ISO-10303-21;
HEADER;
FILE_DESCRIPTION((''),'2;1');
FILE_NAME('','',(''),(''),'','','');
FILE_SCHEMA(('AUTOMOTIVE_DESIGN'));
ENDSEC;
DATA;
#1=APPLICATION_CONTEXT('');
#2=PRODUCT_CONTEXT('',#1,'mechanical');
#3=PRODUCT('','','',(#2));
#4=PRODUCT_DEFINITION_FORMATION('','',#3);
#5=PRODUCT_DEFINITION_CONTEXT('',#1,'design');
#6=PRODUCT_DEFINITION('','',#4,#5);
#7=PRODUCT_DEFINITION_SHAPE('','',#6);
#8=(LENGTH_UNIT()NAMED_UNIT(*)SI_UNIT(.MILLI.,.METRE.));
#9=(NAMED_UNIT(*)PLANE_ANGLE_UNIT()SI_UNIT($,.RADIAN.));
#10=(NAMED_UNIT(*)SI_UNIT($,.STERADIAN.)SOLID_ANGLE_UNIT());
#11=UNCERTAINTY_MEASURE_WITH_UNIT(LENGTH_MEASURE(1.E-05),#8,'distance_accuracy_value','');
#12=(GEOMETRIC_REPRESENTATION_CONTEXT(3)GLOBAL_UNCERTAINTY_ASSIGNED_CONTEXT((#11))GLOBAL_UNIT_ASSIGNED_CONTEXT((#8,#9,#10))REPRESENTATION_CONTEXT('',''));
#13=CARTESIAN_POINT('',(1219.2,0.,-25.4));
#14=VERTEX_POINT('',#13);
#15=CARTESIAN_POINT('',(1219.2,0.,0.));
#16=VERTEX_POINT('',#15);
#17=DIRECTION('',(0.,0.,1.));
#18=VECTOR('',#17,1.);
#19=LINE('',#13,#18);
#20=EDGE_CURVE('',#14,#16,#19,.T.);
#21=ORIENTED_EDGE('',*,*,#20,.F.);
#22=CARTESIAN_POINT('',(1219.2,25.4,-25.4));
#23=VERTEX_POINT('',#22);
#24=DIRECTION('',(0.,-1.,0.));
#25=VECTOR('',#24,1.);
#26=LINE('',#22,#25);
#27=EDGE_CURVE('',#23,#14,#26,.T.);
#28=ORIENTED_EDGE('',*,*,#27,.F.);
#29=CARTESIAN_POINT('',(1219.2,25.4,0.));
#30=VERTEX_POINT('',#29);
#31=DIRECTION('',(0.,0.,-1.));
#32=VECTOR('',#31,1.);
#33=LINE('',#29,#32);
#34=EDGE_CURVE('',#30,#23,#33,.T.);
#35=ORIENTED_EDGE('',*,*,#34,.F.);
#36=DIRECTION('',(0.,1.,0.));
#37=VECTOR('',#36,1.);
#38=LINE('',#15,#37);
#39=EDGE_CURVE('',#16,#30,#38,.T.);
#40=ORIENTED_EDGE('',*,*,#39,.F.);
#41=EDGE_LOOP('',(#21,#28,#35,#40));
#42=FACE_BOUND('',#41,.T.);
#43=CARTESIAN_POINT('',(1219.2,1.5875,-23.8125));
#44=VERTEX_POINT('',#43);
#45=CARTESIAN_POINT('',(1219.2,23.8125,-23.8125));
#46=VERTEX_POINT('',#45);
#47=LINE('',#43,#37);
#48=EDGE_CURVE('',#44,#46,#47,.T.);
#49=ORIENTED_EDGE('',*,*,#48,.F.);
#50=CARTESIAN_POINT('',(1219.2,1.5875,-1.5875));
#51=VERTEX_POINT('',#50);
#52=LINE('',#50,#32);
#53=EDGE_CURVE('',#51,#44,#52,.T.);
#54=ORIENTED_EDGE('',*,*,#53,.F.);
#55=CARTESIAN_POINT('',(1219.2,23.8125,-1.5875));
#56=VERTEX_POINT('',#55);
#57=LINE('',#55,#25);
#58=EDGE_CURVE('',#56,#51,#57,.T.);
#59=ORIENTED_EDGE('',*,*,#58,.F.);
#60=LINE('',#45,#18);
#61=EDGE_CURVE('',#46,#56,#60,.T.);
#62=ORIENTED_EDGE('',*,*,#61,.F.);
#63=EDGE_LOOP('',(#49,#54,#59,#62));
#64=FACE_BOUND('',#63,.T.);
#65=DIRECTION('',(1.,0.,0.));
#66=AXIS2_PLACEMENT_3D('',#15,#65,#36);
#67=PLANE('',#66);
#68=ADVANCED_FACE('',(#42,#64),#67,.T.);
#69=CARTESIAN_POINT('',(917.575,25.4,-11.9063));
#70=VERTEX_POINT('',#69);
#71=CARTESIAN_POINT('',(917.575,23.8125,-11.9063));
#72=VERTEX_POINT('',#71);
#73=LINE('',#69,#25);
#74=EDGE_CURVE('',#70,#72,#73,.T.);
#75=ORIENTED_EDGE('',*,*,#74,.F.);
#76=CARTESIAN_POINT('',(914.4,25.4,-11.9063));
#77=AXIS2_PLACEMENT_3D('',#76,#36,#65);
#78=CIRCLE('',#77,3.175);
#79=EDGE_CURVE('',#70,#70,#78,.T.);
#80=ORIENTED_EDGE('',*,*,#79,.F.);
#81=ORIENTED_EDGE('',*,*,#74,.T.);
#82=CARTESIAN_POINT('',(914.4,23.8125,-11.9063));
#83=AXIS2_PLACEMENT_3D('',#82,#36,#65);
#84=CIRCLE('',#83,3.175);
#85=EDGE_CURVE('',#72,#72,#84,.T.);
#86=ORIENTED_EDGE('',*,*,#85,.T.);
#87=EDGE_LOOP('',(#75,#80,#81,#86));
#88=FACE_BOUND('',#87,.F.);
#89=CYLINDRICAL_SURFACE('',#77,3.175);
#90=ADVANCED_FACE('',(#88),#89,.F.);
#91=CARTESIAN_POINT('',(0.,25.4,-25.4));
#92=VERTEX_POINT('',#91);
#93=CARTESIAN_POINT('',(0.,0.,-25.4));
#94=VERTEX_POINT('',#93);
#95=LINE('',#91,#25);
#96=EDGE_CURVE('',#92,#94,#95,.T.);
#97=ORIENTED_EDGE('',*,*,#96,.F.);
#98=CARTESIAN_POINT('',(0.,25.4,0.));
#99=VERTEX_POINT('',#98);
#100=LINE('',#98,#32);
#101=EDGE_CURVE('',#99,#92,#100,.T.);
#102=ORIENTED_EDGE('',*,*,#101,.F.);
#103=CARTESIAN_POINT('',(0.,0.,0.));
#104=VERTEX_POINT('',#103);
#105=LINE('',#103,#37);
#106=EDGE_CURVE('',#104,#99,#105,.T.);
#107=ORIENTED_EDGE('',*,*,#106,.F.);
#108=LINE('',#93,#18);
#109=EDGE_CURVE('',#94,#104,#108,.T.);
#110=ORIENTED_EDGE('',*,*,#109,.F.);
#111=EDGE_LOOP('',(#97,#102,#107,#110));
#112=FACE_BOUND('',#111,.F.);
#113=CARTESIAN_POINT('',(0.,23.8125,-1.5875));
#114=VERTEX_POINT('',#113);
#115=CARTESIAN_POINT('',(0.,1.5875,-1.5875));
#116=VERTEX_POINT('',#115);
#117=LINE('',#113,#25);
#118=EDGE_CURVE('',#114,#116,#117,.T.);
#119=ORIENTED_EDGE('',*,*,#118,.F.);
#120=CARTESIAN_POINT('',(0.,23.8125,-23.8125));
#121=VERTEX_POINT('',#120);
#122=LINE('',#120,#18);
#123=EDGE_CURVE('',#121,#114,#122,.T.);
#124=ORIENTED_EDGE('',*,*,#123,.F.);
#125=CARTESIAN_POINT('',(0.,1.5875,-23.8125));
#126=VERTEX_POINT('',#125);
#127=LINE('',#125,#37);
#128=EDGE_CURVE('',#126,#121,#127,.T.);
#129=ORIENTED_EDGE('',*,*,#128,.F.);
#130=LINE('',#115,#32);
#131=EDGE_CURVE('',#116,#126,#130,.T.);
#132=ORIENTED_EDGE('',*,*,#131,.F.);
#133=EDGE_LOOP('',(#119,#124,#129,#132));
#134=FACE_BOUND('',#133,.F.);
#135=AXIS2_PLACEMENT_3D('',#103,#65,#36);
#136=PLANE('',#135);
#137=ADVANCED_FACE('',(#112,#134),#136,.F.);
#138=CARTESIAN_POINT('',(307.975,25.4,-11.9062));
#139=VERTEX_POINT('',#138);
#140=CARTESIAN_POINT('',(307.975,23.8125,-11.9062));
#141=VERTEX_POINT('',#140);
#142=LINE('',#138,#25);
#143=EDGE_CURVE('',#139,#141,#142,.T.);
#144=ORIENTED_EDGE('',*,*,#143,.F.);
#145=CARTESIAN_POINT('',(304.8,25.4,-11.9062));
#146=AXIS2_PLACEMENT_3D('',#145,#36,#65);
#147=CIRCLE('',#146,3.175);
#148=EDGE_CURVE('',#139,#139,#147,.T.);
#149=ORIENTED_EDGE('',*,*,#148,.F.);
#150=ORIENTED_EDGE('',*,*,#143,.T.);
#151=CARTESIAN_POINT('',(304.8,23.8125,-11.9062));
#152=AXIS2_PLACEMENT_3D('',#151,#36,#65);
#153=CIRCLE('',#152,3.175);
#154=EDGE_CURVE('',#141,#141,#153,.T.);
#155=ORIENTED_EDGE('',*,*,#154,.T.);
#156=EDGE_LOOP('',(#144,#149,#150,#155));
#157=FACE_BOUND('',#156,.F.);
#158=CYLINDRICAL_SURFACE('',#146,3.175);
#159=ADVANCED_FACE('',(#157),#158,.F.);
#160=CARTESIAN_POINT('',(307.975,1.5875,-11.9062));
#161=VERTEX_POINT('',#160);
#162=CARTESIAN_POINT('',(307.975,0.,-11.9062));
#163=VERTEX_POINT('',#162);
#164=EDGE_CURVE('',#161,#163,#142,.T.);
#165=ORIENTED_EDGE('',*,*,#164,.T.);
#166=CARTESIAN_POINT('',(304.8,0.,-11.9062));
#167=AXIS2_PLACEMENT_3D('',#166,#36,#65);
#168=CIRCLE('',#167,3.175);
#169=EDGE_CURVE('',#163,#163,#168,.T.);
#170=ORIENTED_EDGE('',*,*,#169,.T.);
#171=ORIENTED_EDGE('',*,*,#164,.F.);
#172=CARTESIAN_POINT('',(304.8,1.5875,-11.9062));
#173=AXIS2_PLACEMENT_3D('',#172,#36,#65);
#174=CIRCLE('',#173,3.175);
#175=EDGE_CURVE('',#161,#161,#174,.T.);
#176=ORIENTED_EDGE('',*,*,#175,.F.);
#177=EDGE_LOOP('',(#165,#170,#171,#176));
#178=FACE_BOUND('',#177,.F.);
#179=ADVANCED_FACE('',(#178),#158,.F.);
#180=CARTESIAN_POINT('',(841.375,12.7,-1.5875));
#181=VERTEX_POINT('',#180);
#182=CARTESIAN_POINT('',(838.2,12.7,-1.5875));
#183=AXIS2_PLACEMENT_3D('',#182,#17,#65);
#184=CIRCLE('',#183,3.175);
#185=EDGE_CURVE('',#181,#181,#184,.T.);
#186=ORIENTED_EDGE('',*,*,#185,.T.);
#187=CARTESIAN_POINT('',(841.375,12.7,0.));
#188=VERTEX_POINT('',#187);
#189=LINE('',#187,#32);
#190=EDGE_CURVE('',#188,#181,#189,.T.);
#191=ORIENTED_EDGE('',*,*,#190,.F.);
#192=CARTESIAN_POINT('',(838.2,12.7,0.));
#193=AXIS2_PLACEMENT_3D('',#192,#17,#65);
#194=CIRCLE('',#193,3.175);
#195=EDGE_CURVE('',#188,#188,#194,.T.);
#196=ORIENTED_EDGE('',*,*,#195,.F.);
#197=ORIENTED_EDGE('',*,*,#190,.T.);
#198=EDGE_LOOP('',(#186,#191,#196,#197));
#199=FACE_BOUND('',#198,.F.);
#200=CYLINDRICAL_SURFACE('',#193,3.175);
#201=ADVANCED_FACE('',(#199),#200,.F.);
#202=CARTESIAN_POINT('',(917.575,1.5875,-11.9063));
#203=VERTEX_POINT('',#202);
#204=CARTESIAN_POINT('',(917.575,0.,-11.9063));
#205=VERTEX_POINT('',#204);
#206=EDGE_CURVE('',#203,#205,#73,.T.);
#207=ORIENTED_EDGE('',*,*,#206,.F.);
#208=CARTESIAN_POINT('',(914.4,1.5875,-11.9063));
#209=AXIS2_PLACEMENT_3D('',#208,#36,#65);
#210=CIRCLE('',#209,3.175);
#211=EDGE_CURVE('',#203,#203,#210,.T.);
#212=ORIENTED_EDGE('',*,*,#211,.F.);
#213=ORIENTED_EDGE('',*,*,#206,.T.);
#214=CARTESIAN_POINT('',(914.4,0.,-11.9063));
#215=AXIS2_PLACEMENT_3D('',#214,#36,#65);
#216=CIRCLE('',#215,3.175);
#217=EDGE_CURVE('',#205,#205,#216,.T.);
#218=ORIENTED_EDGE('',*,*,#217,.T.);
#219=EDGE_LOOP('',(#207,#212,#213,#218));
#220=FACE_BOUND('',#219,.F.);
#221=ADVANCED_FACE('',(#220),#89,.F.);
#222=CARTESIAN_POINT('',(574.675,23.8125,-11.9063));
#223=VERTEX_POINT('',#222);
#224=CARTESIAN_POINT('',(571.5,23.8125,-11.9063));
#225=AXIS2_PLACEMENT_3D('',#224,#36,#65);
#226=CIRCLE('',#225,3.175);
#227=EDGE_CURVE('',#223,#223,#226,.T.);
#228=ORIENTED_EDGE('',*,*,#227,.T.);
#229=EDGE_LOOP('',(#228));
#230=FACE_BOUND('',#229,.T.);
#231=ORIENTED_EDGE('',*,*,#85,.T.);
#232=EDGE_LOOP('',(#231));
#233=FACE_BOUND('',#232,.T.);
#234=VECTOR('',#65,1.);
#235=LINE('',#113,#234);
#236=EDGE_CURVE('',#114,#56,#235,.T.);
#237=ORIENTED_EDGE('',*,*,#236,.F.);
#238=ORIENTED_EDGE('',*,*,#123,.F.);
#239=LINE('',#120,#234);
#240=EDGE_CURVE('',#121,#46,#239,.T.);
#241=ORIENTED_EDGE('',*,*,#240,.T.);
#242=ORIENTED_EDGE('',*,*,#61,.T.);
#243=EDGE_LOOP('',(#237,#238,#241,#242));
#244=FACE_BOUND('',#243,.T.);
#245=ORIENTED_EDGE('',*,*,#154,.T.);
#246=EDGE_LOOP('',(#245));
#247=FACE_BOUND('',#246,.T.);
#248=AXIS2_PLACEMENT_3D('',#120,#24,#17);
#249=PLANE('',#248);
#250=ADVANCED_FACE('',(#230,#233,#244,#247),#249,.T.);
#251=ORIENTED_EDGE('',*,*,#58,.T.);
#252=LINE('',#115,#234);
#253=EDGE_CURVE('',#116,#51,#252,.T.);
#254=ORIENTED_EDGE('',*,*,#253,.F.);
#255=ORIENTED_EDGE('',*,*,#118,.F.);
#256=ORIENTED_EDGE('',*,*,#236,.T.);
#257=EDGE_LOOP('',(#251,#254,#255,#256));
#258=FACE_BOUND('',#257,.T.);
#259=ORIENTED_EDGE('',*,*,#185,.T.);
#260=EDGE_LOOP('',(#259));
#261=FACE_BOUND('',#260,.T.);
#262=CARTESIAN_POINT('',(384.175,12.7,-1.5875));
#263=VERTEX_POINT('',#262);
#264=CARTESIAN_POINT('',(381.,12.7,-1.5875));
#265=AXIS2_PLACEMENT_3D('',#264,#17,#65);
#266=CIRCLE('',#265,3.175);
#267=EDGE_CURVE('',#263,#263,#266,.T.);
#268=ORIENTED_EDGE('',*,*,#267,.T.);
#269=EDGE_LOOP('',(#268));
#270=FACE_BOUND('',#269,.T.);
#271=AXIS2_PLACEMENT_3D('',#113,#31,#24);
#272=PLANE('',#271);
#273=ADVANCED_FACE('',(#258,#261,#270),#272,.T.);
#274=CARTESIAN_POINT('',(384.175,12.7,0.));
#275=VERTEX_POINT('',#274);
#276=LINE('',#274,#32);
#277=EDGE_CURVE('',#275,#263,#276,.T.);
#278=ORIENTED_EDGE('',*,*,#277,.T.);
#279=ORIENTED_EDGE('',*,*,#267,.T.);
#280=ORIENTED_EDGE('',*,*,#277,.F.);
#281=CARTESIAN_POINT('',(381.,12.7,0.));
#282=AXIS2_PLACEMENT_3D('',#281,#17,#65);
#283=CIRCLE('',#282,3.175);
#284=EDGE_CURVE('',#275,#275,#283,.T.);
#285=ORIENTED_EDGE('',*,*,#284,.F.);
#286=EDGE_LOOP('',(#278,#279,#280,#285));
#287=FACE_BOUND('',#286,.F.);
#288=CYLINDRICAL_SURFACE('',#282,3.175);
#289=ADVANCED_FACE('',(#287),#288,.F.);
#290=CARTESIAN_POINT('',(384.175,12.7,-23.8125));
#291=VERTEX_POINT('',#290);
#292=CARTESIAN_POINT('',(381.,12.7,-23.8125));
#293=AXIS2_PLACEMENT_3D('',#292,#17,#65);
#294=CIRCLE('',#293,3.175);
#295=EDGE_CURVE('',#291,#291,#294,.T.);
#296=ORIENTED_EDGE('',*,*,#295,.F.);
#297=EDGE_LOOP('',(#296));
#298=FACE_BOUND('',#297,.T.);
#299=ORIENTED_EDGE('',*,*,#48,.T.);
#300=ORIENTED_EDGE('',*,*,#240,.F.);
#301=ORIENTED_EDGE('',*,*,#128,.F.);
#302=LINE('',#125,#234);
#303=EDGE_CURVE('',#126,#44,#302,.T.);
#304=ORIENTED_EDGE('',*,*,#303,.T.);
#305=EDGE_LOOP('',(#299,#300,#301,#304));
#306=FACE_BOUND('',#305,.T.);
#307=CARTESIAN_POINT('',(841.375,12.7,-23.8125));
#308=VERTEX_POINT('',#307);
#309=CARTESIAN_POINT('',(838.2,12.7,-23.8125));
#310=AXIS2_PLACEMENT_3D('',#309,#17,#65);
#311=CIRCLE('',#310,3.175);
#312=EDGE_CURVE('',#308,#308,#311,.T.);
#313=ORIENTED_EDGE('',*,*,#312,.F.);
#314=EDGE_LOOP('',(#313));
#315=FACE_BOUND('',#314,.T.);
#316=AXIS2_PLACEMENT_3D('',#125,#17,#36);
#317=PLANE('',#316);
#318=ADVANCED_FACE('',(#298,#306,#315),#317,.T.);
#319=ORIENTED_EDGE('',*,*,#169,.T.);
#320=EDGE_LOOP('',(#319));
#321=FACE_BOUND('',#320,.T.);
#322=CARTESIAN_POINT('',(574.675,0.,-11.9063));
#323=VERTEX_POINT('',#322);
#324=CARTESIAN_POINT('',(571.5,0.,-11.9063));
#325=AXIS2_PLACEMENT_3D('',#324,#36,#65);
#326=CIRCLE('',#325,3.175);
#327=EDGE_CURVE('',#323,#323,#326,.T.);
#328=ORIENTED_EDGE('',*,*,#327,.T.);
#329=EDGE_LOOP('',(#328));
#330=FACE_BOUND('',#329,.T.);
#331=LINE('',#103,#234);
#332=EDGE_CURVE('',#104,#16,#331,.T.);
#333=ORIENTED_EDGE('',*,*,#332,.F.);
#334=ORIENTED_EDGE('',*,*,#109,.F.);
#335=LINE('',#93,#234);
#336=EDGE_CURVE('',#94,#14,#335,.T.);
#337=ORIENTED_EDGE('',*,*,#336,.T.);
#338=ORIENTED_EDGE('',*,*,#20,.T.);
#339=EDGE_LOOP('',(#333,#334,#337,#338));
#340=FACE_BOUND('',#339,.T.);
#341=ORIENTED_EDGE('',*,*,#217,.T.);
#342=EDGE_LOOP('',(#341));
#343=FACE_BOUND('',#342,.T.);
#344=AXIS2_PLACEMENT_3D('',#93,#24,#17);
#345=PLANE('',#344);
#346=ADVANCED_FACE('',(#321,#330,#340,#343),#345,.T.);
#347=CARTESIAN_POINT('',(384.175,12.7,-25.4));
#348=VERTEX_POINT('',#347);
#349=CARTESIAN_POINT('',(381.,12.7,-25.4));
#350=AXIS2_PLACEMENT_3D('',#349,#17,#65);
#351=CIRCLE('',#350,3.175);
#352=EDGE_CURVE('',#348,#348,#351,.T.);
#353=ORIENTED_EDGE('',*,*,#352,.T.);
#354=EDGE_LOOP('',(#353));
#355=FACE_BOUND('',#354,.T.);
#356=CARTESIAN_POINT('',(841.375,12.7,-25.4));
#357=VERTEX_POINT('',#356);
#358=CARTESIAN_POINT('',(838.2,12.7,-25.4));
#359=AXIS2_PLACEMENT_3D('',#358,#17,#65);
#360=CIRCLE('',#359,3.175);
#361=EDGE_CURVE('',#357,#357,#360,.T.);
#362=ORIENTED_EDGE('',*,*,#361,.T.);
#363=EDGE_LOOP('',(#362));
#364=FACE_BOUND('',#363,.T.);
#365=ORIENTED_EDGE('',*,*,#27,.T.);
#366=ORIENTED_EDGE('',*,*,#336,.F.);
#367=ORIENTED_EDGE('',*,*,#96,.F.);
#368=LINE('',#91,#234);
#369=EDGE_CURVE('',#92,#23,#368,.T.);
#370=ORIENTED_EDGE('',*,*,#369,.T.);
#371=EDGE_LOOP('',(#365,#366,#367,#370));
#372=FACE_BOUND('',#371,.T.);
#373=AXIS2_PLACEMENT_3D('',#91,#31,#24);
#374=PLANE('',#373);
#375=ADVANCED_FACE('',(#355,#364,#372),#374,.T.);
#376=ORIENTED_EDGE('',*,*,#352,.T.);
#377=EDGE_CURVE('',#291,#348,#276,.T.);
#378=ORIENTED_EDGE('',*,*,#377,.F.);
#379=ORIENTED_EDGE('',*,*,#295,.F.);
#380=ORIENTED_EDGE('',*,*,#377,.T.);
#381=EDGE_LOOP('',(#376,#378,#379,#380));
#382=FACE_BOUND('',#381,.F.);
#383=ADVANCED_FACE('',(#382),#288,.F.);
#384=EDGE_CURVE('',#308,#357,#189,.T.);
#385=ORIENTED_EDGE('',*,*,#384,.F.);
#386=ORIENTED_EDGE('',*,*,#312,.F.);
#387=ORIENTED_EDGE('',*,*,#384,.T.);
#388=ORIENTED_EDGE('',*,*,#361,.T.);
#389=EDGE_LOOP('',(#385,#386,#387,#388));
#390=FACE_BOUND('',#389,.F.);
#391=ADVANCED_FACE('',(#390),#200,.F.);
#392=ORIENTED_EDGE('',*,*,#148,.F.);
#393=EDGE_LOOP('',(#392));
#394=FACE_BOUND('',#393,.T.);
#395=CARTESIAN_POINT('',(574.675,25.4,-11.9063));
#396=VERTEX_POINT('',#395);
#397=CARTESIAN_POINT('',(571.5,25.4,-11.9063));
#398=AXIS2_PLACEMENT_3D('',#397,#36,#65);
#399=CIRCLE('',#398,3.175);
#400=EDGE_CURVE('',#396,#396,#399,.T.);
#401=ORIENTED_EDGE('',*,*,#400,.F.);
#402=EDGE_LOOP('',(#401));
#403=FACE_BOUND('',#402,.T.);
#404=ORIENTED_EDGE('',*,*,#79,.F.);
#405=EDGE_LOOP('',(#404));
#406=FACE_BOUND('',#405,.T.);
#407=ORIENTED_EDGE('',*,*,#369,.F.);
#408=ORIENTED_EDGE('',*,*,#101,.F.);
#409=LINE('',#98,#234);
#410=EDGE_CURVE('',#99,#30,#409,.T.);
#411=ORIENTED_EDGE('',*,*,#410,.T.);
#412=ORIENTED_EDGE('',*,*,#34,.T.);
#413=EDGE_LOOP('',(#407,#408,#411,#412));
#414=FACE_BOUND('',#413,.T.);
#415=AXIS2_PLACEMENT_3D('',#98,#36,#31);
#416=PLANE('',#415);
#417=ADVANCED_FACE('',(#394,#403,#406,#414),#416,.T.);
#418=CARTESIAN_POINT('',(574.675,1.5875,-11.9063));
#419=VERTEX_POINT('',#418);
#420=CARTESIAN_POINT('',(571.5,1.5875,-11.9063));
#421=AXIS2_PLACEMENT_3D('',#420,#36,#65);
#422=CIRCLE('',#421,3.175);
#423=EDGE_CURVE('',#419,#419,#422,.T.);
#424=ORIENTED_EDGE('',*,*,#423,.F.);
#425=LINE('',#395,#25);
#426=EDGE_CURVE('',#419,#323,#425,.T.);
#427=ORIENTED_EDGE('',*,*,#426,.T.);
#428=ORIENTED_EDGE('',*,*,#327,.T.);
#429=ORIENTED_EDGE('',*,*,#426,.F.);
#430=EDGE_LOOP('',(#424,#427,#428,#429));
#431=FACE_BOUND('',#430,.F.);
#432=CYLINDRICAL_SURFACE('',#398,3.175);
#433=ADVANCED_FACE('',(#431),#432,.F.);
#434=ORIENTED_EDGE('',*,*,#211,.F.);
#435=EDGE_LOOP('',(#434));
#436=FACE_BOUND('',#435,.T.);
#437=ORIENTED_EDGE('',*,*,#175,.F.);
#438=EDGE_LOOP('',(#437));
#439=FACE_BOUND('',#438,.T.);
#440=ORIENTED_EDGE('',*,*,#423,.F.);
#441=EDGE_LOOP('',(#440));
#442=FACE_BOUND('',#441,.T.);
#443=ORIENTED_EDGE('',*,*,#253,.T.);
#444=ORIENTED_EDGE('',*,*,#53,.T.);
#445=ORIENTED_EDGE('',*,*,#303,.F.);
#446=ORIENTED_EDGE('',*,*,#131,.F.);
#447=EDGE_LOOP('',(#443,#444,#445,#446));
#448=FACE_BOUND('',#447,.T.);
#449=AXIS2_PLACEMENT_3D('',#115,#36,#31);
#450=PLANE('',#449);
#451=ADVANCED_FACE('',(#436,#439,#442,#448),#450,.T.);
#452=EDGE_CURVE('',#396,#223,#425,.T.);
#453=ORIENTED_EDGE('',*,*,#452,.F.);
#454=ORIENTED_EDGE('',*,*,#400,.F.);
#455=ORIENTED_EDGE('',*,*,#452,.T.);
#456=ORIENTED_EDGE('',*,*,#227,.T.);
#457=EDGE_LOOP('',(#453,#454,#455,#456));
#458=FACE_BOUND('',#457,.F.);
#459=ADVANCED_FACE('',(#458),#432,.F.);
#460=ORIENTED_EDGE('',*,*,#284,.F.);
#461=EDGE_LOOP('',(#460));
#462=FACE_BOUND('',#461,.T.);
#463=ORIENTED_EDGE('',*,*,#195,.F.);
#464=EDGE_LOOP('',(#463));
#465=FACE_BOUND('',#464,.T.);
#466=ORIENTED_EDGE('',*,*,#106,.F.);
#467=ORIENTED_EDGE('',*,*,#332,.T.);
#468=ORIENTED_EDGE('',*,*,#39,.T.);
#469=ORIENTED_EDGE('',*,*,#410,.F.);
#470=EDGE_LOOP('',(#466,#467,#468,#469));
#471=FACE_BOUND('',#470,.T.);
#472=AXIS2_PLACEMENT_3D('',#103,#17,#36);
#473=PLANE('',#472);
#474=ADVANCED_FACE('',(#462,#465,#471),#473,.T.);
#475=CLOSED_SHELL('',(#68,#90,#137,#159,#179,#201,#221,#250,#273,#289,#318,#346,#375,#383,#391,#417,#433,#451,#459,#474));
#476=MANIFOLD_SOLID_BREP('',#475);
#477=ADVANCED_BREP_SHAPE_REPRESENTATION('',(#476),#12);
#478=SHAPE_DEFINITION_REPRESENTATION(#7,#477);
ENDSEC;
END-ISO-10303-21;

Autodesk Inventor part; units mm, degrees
ref_plane "YZ Plane" through (0, 0, 0) normal (1, 0, 0) x (0, 1, 0)
ref_plane "XZ Plane" through (0, 0, 0) normal (0, 1, 0) x (-1, 0, 0)
ref_plane "XY Plane" through (0, 0, 0) normal (0, 0, 1) x (1, 0, 0)
sketch "Sketch1" plane through (0, 0, 0) normal (1, 0, 0) x (0, 1, 0)
  line L0 (0, 0) -> (25.4, 0)
  line L1 (25.4, 0) -> (25.4, -25.4)
  line L2 (25.4, -25.4) -> (0, -25.4)
  line L3 (0, -25.4) -> (0, 0)
  line L4 (23.8125, -23.8125) -> (23.8125, -1.5875)
  line L5 (23.8125, -1.5875) -> (1.5875, -1.5875)
  line L6 (1.5875, -1.5875) -> (1.5875, -23.8125)
  line L7 (1.5875, -23.8125) -> (23.8125, -23.8125)
  dimension "d0" = 25.4
  dimension "d1" = 25.4
  dimension "d2" = 1.5875
extrude "Extrusion1" add sketch "Sketch1" along normal blind 1219.2
sketch "Sketch3" plane through (0, 25.4, 0) normal (0, 1, 0) x (1, 0, 0)
  line L0 (0, 23.8125) -> (1219.2, 23.8125) projected
  line L1 (609.6, 23.8125) -> (609.6, 0) construction
  line L2 (0, 0) -> (1219.2, 0) projected
  line L3 (609.6, 11.9062) -> (465.3189, 11.9062) construction
  circle A0 centre (304.8, 11.9062) radius 3.175
  circle A1 centre (914.4, 11.9063) radius 3.175
  circle A2 centre (571.5, 11.9063) radius 3.175
  dimension "d10" = 6.35
  dimension "d11" = 304.8
  dimension "d14" = 38.1
extrude "Extrusion3" cut sketch "Sketch3" against normal blind 25.4
sketch "Sketch4" plane through (0, 0, 0) normal (0, 0, 1) x (1, 0, 0)
  line L0 (0, 0) -> (0, 25.4) projected
  line L1 (0, 12.7) -> (22.1319, 12.7) construction
  circle A0 centre (838.2, 12.7) radius 3.175
  line L2 (0, 0) -> (1219.2, 0) projected
  line L3 (609.6, 0) -> (609.6, 21.6417) construction
  circle A1 centre (381, 12.7) radius 3.175
  dimension "d15" = 6.35
  dimension "d19" = 228.6
extrude "Extrusion4" cut sketch "Sketch4" against normal blind 25.4
properties part number "Lomg horizontal"
